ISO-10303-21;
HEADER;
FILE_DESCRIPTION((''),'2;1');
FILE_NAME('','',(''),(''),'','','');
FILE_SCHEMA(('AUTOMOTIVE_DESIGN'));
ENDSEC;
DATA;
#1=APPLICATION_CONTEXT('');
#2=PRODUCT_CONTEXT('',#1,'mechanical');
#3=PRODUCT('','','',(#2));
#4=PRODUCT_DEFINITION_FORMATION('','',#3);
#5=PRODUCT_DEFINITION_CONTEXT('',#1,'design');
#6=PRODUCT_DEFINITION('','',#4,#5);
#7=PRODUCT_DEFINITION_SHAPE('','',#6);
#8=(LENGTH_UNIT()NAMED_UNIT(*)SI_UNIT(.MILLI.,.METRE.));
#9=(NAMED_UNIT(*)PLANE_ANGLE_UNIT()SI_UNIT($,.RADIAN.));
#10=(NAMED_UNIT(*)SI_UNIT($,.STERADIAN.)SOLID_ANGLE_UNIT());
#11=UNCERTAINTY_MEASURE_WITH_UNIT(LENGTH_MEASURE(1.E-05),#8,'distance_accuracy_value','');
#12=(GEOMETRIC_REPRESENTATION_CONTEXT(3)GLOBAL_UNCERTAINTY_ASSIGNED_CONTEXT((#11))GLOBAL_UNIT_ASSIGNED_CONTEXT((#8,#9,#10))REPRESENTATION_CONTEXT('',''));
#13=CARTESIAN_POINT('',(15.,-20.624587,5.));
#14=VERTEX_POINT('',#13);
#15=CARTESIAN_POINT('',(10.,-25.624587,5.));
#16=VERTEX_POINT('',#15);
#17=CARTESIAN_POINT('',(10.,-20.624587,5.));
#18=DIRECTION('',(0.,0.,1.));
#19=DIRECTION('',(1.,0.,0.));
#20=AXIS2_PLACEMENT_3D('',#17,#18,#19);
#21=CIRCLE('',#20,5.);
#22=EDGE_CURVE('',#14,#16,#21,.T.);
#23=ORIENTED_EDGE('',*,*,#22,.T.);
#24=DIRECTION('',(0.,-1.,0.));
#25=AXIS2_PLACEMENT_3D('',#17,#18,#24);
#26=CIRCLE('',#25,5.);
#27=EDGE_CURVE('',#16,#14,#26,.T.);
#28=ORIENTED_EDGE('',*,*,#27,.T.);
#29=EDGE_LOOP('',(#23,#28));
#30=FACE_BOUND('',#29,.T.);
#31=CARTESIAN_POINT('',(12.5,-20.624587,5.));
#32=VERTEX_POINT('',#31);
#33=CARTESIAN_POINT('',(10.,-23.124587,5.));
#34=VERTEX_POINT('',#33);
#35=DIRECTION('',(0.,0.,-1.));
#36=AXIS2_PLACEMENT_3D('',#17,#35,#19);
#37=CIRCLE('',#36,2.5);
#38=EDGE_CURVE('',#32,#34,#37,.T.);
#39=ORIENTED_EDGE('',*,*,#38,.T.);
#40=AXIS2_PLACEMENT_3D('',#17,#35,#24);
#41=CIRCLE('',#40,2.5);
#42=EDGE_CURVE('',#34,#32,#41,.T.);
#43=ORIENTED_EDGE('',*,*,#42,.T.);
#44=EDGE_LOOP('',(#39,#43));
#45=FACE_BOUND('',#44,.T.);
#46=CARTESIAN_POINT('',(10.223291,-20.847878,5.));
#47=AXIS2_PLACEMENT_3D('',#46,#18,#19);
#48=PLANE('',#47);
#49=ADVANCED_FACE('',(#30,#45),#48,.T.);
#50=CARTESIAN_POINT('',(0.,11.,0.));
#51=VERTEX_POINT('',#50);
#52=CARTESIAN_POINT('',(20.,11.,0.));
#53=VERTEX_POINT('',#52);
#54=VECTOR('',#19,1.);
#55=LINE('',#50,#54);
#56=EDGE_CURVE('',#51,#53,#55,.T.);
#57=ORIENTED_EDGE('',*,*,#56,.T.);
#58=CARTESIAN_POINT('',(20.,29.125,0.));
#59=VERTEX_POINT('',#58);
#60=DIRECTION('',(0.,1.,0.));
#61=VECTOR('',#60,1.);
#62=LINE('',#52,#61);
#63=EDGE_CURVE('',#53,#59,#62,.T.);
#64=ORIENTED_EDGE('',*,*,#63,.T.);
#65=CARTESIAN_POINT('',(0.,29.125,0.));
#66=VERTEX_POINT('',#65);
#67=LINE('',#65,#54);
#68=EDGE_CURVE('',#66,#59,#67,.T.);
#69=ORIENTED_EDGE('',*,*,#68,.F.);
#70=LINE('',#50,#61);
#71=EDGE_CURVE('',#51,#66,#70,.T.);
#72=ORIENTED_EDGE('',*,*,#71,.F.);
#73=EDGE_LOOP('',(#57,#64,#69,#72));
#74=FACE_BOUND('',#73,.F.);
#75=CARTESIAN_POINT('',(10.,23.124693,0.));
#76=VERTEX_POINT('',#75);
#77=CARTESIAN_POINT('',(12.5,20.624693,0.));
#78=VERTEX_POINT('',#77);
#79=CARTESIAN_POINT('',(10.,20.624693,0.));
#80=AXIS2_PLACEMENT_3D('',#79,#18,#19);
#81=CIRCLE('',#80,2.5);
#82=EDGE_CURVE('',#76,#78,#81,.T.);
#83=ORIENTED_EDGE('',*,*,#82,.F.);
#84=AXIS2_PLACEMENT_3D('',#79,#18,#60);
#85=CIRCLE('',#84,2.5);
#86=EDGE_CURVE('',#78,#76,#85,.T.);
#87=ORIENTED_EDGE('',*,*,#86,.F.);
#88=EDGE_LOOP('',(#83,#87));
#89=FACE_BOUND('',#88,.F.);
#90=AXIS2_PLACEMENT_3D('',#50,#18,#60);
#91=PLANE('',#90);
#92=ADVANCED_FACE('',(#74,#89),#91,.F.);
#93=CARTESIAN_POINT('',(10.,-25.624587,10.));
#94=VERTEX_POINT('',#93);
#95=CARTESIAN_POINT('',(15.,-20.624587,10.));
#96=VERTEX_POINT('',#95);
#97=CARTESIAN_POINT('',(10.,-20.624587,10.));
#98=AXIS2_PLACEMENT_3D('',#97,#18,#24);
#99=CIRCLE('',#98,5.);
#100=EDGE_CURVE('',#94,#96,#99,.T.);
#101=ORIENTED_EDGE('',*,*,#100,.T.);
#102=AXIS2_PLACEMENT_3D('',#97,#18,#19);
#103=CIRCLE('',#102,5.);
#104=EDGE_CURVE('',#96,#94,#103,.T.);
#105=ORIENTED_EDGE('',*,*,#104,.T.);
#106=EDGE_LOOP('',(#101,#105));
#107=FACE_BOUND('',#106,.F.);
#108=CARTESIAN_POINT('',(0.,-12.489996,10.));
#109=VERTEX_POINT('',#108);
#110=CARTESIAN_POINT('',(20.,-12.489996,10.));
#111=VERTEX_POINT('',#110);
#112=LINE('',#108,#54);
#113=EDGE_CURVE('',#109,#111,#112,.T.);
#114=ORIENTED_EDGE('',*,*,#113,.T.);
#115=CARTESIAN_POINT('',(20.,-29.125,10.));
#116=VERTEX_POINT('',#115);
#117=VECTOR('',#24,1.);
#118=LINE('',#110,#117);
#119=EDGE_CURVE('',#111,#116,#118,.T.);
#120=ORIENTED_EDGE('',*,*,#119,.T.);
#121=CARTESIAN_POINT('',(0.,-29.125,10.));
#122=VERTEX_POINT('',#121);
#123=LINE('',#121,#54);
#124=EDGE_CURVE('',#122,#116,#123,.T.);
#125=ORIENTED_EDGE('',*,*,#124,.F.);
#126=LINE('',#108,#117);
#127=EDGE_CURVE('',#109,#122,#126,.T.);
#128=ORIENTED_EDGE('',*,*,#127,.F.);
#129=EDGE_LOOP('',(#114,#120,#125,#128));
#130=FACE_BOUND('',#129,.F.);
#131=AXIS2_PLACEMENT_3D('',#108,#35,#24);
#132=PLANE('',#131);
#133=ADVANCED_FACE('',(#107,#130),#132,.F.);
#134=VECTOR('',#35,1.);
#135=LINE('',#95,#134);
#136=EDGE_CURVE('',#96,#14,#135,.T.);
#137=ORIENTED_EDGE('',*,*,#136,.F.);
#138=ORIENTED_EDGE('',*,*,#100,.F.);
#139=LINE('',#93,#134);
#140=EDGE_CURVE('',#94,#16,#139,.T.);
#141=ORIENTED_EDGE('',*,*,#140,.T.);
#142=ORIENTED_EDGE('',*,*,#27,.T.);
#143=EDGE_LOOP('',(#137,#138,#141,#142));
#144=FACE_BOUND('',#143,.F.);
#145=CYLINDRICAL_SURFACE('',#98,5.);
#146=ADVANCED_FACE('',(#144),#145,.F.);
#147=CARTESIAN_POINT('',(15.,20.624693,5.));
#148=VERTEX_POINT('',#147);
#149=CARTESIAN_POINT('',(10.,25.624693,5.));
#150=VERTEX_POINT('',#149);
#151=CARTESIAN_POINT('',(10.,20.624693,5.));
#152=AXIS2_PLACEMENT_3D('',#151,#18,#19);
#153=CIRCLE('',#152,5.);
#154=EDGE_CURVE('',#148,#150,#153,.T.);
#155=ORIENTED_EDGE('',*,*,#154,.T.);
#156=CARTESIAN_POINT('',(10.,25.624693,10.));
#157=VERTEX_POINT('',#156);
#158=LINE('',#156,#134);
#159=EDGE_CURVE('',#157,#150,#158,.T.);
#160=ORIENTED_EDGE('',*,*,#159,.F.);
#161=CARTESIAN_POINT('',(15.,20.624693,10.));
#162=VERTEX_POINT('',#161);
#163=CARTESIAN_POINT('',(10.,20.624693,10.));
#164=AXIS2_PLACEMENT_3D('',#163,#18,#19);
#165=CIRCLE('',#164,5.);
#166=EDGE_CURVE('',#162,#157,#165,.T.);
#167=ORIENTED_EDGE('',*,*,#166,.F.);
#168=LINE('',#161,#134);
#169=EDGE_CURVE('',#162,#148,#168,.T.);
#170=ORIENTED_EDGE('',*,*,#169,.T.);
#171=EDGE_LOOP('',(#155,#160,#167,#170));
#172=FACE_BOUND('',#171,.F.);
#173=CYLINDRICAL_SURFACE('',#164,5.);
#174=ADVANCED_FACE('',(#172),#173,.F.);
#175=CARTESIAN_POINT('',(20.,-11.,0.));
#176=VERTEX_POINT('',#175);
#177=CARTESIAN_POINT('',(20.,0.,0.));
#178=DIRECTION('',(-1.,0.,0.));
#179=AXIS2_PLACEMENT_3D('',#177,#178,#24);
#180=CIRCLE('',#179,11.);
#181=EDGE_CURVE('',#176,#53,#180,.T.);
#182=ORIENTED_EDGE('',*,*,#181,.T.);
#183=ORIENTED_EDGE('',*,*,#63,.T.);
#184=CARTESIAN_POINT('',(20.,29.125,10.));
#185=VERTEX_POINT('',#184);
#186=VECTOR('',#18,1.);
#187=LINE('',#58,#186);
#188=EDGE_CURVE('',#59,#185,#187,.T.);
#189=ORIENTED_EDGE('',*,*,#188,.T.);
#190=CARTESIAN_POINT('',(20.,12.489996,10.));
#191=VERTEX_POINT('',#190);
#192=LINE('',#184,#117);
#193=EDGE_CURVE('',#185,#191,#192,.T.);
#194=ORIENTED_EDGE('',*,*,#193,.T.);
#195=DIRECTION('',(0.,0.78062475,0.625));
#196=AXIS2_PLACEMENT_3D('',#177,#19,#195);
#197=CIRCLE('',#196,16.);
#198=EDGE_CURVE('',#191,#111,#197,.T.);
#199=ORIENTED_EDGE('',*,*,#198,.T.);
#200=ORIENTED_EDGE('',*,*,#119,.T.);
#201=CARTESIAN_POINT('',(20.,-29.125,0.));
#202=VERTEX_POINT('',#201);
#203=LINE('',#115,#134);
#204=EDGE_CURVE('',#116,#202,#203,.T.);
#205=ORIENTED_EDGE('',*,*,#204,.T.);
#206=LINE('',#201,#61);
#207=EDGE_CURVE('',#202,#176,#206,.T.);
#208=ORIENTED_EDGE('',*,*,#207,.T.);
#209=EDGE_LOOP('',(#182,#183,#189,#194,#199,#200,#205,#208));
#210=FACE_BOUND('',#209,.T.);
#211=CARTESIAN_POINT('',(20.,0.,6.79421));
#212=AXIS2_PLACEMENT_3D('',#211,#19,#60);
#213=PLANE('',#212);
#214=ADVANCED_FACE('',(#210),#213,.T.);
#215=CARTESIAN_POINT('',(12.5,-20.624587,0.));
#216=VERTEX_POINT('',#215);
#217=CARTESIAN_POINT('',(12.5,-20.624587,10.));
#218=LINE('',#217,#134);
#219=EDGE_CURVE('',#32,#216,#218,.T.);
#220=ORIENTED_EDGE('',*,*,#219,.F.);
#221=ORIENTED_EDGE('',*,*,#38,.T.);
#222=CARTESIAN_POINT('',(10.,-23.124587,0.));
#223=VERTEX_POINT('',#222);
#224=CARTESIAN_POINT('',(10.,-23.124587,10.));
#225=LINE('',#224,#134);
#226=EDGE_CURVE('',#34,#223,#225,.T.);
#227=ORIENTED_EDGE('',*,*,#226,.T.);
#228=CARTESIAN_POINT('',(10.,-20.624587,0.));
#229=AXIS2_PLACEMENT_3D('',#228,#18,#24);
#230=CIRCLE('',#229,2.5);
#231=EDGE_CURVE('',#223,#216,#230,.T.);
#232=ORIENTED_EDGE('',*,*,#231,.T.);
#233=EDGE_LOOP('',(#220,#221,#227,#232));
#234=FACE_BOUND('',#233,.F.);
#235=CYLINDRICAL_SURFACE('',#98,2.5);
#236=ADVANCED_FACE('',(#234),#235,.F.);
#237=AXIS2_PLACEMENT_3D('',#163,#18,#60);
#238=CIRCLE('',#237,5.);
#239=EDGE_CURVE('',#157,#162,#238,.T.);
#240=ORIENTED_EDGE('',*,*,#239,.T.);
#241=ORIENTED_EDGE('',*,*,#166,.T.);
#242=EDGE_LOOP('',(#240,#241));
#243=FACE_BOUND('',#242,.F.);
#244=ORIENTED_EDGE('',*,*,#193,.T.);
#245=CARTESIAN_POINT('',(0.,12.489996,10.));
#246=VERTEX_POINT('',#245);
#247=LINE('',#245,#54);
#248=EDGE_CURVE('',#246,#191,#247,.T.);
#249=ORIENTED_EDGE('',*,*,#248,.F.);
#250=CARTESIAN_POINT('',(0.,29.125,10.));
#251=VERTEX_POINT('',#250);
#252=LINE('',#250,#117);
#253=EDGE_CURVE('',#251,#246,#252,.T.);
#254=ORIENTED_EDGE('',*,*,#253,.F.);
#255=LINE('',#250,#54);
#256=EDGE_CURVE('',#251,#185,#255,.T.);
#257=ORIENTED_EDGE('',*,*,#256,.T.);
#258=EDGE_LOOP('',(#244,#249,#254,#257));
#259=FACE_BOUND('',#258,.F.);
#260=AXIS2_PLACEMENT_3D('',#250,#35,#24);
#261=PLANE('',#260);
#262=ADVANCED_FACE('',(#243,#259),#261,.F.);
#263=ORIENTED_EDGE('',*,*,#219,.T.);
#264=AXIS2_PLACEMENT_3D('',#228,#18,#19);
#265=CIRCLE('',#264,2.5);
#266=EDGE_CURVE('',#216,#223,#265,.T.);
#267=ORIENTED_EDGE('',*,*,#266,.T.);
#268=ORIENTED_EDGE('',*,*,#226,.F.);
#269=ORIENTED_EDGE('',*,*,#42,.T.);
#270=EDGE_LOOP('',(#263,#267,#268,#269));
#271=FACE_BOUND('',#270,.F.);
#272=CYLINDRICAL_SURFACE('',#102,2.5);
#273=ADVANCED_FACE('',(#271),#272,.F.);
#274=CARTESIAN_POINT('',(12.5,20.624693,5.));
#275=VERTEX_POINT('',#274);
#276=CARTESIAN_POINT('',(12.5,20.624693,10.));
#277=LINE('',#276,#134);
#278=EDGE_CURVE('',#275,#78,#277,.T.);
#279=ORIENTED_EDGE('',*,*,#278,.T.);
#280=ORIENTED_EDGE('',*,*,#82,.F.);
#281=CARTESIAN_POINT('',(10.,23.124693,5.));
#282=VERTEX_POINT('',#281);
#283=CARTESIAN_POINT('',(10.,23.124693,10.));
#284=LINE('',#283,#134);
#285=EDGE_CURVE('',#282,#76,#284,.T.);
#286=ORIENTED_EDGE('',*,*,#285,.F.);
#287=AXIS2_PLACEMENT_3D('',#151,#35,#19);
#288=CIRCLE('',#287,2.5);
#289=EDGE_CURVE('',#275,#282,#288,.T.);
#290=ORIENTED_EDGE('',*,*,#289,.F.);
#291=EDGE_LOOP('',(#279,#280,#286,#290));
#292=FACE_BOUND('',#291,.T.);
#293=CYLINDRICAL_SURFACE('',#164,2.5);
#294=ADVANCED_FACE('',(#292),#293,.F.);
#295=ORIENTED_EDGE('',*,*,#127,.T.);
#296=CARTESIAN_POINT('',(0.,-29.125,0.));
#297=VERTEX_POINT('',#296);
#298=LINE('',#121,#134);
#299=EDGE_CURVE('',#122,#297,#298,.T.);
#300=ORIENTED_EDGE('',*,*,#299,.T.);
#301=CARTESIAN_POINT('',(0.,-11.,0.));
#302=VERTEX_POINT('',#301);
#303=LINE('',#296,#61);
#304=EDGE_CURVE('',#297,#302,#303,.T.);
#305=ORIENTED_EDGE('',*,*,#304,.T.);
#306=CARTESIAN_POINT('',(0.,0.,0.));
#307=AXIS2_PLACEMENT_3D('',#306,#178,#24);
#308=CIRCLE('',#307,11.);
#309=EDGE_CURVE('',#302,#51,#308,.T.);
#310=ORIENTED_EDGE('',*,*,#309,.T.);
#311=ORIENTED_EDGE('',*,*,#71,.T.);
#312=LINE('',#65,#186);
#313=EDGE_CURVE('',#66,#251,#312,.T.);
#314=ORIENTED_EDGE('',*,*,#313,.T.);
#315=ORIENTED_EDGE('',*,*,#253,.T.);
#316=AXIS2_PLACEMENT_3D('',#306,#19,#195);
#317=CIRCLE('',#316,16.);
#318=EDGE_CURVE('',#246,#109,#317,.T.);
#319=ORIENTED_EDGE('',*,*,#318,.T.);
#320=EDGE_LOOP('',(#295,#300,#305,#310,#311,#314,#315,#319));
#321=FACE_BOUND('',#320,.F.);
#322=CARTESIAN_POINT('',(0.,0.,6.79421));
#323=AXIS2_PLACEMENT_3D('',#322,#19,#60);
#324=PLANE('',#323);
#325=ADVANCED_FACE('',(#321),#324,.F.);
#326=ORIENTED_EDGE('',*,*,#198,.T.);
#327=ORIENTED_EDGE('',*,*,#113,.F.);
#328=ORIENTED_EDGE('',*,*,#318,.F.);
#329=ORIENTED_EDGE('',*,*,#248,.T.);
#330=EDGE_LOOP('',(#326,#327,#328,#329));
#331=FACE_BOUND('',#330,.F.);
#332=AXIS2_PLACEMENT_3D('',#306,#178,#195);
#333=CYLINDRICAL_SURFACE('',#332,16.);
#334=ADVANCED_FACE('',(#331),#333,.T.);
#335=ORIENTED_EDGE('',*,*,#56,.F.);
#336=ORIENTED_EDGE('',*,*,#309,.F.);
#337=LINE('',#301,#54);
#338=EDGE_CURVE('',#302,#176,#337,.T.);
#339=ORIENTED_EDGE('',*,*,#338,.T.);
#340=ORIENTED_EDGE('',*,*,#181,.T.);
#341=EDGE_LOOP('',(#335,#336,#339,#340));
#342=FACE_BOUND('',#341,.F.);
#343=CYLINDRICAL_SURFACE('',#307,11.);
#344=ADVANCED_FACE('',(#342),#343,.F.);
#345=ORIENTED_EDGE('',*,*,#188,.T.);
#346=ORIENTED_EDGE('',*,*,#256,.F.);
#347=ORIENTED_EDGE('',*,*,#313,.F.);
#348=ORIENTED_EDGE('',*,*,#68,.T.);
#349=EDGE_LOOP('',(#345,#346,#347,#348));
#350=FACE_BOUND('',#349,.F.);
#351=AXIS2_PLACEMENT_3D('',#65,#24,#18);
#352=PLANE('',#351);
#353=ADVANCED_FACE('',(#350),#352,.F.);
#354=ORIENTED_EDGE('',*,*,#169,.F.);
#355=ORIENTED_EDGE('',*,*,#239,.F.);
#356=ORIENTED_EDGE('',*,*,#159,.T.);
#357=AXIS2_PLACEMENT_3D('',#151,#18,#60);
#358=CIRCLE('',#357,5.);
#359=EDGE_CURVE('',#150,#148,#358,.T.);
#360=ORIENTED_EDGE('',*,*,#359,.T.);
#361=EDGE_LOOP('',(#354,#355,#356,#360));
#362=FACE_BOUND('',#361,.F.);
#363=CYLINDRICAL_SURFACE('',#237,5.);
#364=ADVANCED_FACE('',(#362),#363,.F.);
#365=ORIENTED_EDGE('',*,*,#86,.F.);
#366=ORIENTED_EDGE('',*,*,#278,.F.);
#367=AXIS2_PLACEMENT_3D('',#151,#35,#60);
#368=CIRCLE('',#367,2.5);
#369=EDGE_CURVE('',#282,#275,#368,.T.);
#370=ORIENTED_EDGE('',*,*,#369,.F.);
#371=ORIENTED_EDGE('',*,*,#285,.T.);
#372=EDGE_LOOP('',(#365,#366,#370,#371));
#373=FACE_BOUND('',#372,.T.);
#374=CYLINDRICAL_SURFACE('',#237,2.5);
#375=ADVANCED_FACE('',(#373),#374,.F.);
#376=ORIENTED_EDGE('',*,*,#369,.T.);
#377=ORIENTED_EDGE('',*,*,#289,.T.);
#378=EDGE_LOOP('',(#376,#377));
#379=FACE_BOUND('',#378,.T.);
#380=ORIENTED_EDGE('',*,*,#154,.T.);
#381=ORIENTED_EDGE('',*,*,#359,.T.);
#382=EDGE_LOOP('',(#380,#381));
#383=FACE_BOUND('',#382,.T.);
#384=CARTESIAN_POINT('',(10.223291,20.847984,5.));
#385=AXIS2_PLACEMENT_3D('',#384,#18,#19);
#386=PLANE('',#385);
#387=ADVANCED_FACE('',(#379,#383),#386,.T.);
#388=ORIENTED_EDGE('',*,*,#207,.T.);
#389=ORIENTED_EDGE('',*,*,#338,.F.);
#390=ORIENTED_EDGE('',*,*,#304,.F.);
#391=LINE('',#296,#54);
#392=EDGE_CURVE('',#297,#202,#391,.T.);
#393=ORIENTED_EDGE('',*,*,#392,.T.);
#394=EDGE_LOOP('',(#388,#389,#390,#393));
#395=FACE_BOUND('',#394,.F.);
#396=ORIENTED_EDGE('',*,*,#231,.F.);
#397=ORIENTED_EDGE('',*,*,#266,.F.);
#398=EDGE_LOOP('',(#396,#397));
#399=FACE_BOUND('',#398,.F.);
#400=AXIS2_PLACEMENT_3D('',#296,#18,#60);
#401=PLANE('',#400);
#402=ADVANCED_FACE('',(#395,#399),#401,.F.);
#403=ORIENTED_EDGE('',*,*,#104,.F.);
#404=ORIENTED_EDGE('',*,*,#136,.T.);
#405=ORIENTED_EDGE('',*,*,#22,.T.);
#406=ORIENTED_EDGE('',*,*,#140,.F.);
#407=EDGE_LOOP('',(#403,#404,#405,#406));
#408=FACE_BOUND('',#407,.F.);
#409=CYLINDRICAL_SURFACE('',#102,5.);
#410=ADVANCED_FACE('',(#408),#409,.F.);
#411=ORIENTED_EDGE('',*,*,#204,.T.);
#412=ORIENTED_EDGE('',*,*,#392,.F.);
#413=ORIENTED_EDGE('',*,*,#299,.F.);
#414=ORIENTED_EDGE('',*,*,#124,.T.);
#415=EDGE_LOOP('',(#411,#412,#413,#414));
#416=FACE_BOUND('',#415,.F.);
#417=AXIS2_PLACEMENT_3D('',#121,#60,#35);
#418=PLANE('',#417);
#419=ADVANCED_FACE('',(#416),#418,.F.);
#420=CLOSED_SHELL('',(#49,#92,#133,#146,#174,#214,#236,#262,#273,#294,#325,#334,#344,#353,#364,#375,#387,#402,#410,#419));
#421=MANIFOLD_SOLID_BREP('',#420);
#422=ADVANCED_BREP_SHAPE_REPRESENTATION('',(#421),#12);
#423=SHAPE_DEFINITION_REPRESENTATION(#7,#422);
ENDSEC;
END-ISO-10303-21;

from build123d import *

# Parameters (mm, degrees)
F1_DEPTH = 20
F4_DEPTH = 5
F5_DEPTH = 25
F8_DEPTH = 5
F9_DEPTH = 25


with BuildPart() as f1:
    # F0 (on Right) → F1 (new body)
    with BuildSketch(Plane.YZ):
        with BuildLine():
            ThreePointArc((-11, 0), (0, 11), (11, 0))
            Line((11, 0), (29.125, 0))
            Line((29.125, 0), (29.125, 10))
            Line((29.125, 10), (12.4899959968, 10))
            ThreePointArc((12.4899959968, 10), (0, 16), (-12.4899959968, 10))
            Line((-12.4899959968, 10), (-29.125, 10))
            Line((-29.125, 10), (-29.125, 0))
            Line((-29.125, 0), (-11, 0))
        make_face()
    extrude(amount=F1_DEPTH)

    # F3 (on offset) → F4 (cut)
    with BuildSketch(Plane.XY.offset(10)):
        with BuildLine():
            ThreePointArc((15, -20.6245866863), (6.4644660941, -17.0890527804), (10, -25.6245866863))
            ThreePointArc((10, -25.6245866863), (13.5355339059, -24.1601205923), (15, -20.6245866863))
        make_face()
        with BuildLine():
            ThreePointArc((12.5, -20.6245866863), (11.767766953, -22.3923536393), (10, -23.1245866863))
            ThreePointArc((10, -23.1245866863), (8.232233047, -18.8568197334), (12.5, -20.6245866863))
        make_face(mode=Mode.SUBTRACT)
    extrude(amount=-F4_DEPTH, mode=Mode.SUBTRACT)

    # F3 (on offset) → F5 (cut)
    with BuildSketch(Plane.XY.offset(10)):
        with BuildLine():
            ThreePointArc((12.5, -20.6245866863), (8.232233047, -18.8568197334), (10, -23.1245866863))
            ThreePointArc((10, -23.1245866863), (11.767766953, -22.3923536393), (12.5, -20.6245866863))
        make_face()
    extrude(amount=-F5_DEPTH, mode=Mode.SUBTRACT)

    # F7 (on offset) → F8 (cut)
    with BuildSketch(Plane.XY.offset(10)):
        with BuildLine():
            ThreePointArc((15, 20.6246930474), (13.5355339059, 24.1602269533), (10, 25.6246930474))
            ThreePointArc((10, 25.6246930474), (6.4644660941, 17.0891591415), (15, 20.6246930474))
        make_face()
        with BuildLine():
            ThreePointArc((12.5, 20.6246930474), (8.232233047, 18.8569260944), (10, 23.1246930474))
            ThreePointArc((10, 23.1246930474), (11.767766953, 22.3924600004), (12.5, 20.6246930474))
        make_face(mode=Mode.SUBTRACT)
    extrude(amount=-F8_DEPTH, mode=Mode.SUBTRACT)

    # F9 (cut): a face of the model
    f9_faces = [f1.faces().sort_by_distance(p)[0] for p in [
        (10, 20.6246930474, 10),
    ]]
    extrude(f9_faces, amount=-F9_DEPTH, mode=Mode.SUBTRACT)


solid = f1.part
